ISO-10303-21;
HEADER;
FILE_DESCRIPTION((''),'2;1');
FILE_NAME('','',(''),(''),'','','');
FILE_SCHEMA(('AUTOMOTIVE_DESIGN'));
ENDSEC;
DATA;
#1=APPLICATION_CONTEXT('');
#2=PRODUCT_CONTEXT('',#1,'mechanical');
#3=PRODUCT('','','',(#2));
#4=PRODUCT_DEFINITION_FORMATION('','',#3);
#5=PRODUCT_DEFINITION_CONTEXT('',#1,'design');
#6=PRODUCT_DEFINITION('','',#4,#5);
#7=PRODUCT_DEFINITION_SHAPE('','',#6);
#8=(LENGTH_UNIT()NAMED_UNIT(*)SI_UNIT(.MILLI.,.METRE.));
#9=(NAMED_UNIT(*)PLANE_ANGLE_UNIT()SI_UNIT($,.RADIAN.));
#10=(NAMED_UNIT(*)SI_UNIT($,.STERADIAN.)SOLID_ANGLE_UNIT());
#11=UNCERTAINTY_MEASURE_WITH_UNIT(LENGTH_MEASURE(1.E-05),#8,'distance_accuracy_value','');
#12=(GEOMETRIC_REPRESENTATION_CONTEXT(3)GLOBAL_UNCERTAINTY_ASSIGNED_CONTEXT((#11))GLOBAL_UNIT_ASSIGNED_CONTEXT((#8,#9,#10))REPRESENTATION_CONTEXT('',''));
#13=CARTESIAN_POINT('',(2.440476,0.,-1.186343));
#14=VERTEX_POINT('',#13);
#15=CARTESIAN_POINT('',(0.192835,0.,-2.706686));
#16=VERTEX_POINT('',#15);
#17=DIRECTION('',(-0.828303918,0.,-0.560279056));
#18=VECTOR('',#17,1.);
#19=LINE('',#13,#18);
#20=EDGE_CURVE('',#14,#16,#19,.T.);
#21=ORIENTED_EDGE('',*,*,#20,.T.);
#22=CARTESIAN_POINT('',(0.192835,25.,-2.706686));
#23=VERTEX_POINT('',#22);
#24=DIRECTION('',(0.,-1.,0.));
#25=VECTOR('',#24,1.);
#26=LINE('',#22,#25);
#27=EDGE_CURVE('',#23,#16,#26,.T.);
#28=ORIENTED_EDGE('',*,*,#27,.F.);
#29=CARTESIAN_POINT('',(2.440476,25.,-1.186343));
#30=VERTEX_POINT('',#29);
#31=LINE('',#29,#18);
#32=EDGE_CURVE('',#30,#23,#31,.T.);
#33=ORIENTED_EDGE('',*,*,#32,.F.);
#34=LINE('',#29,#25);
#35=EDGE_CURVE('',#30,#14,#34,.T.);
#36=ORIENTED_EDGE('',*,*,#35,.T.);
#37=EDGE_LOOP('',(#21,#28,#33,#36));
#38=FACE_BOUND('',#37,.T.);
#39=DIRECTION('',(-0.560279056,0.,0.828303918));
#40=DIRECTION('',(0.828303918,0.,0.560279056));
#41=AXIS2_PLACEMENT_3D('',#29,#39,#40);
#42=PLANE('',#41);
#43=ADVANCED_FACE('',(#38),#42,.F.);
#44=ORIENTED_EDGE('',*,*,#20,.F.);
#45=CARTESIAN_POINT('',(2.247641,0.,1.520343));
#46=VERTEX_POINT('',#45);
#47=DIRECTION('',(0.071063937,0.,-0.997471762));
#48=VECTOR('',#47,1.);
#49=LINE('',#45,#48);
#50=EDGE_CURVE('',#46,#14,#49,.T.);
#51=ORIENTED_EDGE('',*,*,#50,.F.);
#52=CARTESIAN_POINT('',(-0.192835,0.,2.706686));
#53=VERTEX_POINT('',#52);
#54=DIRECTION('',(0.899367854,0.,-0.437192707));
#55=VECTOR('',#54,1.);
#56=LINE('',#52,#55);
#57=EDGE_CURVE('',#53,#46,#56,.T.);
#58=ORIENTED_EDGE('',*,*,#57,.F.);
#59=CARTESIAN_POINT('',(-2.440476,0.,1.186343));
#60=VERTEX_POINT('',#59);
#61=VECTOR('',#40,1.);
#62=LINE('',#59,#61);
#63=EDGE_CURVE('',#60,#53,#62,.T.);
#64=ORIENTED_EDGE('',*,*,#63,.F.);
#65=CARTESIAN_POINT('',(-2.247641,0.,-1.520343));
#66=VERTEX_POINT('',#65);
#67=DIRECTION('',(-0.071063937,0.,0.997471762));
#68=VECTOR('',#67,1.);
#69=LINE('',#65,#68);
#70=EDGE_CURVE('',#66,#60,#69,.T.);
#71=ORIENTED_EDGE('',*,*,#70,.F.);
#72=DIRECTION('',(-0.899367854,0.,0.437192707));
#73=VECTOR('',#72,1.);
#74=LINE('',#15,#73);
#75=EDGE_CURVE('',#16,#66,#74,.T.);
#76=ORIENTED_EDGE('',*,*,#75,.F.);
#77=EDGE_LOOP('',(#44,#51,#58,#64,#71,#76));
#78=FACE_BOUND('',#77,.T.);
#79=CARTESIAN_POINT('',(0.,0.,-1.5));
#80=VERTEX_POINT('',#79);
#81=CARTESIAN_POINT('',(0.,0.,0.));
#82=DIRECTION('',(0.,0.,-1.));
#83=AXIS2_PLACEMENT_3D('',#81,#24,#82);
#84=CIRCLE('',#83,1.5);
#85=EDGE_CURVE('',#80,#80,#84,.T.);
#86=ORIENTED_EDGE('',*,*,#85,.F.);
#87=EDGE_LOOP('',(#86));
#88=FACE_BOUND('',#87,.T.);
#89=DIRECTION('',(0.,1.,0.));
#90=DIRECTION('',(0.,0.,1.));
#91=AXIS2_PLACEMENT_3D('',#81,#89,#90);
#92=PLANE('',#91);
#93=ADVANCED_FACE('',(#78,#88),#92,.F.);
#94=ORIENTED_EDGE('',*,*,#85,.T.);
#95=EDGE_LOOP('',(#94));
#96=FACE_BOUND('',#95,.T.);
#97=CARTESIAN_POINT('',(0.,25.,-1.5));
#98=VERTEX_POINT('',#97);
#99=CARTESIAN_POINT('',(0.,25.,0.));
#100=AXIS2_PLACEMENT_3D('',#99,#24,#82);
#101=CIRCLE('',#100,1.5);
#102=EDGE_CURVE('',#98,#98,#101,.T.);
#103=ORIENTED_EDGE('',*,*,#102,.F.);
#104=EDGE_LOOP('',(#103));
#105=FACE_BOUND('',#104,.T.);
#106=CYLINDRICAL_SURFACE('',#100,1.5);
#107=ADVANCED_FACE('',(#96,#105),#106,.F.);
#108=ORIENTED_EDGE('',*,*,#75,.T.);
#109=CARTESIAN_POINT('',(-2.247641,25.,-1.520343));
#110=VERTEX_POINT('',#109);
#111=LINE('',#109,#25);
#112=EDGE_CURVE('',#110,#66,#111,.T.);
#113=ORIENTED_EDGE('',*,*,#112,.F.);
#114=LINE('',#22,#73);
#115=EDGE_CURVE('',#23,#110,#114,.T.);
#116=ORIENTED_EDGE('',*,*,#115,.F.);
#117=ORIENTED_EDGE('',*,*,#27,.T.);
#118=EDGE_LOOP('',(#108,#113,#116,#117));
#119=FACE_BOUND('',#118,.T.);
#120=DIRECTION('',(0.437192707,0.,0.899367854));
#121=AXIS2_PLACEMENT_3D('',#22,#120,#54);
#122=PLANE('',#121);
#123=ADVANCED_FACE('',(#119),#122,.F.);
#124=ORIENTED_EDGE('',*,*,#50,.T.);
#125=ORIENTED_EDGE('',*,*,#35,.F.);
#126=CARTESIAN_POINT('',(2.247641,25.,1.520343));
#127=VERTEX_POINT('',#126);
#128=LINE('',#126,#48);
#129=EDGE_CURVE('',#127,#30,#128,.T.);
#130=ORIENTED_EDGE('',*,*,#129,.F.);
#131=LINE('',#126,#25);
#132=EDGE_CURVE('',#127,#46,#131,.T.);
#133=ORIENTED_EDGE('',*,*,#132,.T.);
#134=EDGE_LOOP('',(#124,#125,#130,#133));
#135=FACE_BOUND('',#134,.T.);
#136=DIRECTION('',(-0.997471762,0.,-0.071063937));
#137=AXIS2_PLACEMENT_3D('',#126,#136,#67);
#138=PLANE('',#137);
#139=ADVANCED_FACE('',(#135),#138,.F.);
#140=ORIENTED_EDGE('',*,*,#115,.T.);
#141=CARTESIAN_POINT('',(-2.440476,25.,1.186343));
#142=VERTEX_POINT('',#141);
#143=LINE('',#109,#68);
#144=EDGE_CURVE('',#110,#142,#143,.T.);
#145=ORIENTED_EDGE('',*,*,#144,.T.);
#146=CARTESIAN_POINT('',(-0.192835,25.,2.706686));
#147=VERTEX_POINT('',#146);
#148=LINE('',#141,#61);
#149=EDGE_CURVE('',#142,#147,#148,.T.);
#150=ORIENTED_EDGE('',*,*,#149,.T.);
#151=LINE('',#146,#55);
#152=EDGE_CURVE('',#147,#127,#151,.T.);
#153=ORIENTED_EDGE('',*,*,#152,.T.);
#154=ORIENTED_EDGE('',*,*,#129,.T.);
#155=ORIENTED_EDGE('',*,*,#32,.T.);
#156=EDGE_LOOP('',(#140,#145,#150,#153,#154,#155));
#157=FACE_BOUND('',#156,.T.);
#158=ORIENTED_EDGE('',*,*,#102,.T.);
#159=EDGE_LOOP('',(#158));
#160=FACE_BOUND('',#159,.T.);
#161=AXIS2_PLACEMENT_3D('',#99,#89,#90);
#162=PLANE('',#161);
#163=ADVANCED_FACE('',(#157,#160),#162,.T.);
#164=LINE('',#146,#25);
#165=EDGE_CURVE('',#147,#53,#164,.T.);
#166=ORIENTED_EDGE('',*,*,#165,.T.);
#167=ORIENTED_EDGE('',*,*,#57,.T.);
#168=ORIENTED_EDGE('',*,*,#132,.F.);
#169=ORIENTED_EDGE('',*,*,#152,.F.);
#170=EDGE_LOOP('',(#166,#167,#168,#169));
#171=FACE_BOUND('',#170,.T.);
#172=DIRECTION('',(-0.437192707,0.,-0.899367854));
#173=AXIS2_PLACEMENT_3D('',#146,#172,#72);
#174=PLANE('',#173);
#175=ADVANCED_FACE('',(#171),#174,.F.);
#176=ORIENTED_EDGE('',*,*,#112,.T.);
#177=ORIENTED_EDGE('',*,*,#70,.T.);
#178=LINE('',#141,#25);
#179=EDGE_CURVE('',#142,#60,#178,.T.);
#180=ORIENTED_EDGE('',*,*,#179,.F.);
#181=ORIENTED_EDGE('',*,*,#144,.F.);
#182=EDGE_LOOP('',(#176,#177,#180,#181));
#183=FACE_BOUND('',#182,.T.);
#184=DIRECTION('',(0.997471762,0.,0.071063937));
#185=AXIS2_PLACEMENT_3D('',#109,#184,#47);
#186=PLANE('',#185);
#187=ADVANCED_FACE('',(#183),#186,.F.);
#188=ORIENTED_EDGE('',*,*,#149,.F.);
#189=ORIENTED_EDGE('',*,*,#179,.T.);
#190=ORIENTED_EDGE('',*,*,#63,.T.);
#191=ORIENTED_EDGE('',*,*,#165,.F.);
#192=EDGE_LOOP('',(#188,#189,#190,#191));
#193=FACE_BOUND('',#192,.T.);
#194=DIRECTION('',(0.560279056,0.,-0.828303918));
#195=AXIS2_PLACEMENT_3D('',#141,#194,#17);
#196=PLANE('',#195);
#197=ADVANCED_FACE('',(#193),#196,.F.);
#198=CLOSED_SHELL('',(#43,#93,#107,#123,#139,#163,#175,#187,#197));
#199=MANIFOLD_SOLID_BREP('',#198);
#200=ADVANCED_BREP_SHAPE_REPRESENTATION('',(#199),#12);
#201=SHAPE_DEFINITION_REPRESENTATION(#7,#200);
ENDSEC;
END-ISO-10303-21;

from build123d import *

# Parameters (mm, degrees)
EXTRUDE_1_DEPTH     = 25
SKETCH_2_R          = 1.5
CUT_EXTRUDE_1_DEPTH = 26.26424494


with BuildPart() as part:
    # 草图1 → 凸台-拉伸1 (new body)
    with BuildSketch(Plane(origin=(0, 0, 0), x_dir=(1, 0, 0), z_dir=(0, 1, 0))):
        Polygon((2.440476282, 1.186342637), (0.19283528, 2.706685776), (-2.247641002, 1.520343139), (-2.440476282, -1.186342637), (-0.19283528, -2.706685776), (2.247641002, -1.520343139), align=None)
    extrude(amount=EXTRUDE_1_DEPTH)

    # 草图2 → 切除-拉伸1 (cut, through all)
    with BuildSketch(Plane.XZ):
        with Locations(Location((0, 0, 0), (0, 0, 270))):
            Circle(SKETCH_2_R)
    extrude(amount=-CUT_EXTRUDE_1_DEPTH, mode=Mode.SUBTRACT)


solid = part.part
